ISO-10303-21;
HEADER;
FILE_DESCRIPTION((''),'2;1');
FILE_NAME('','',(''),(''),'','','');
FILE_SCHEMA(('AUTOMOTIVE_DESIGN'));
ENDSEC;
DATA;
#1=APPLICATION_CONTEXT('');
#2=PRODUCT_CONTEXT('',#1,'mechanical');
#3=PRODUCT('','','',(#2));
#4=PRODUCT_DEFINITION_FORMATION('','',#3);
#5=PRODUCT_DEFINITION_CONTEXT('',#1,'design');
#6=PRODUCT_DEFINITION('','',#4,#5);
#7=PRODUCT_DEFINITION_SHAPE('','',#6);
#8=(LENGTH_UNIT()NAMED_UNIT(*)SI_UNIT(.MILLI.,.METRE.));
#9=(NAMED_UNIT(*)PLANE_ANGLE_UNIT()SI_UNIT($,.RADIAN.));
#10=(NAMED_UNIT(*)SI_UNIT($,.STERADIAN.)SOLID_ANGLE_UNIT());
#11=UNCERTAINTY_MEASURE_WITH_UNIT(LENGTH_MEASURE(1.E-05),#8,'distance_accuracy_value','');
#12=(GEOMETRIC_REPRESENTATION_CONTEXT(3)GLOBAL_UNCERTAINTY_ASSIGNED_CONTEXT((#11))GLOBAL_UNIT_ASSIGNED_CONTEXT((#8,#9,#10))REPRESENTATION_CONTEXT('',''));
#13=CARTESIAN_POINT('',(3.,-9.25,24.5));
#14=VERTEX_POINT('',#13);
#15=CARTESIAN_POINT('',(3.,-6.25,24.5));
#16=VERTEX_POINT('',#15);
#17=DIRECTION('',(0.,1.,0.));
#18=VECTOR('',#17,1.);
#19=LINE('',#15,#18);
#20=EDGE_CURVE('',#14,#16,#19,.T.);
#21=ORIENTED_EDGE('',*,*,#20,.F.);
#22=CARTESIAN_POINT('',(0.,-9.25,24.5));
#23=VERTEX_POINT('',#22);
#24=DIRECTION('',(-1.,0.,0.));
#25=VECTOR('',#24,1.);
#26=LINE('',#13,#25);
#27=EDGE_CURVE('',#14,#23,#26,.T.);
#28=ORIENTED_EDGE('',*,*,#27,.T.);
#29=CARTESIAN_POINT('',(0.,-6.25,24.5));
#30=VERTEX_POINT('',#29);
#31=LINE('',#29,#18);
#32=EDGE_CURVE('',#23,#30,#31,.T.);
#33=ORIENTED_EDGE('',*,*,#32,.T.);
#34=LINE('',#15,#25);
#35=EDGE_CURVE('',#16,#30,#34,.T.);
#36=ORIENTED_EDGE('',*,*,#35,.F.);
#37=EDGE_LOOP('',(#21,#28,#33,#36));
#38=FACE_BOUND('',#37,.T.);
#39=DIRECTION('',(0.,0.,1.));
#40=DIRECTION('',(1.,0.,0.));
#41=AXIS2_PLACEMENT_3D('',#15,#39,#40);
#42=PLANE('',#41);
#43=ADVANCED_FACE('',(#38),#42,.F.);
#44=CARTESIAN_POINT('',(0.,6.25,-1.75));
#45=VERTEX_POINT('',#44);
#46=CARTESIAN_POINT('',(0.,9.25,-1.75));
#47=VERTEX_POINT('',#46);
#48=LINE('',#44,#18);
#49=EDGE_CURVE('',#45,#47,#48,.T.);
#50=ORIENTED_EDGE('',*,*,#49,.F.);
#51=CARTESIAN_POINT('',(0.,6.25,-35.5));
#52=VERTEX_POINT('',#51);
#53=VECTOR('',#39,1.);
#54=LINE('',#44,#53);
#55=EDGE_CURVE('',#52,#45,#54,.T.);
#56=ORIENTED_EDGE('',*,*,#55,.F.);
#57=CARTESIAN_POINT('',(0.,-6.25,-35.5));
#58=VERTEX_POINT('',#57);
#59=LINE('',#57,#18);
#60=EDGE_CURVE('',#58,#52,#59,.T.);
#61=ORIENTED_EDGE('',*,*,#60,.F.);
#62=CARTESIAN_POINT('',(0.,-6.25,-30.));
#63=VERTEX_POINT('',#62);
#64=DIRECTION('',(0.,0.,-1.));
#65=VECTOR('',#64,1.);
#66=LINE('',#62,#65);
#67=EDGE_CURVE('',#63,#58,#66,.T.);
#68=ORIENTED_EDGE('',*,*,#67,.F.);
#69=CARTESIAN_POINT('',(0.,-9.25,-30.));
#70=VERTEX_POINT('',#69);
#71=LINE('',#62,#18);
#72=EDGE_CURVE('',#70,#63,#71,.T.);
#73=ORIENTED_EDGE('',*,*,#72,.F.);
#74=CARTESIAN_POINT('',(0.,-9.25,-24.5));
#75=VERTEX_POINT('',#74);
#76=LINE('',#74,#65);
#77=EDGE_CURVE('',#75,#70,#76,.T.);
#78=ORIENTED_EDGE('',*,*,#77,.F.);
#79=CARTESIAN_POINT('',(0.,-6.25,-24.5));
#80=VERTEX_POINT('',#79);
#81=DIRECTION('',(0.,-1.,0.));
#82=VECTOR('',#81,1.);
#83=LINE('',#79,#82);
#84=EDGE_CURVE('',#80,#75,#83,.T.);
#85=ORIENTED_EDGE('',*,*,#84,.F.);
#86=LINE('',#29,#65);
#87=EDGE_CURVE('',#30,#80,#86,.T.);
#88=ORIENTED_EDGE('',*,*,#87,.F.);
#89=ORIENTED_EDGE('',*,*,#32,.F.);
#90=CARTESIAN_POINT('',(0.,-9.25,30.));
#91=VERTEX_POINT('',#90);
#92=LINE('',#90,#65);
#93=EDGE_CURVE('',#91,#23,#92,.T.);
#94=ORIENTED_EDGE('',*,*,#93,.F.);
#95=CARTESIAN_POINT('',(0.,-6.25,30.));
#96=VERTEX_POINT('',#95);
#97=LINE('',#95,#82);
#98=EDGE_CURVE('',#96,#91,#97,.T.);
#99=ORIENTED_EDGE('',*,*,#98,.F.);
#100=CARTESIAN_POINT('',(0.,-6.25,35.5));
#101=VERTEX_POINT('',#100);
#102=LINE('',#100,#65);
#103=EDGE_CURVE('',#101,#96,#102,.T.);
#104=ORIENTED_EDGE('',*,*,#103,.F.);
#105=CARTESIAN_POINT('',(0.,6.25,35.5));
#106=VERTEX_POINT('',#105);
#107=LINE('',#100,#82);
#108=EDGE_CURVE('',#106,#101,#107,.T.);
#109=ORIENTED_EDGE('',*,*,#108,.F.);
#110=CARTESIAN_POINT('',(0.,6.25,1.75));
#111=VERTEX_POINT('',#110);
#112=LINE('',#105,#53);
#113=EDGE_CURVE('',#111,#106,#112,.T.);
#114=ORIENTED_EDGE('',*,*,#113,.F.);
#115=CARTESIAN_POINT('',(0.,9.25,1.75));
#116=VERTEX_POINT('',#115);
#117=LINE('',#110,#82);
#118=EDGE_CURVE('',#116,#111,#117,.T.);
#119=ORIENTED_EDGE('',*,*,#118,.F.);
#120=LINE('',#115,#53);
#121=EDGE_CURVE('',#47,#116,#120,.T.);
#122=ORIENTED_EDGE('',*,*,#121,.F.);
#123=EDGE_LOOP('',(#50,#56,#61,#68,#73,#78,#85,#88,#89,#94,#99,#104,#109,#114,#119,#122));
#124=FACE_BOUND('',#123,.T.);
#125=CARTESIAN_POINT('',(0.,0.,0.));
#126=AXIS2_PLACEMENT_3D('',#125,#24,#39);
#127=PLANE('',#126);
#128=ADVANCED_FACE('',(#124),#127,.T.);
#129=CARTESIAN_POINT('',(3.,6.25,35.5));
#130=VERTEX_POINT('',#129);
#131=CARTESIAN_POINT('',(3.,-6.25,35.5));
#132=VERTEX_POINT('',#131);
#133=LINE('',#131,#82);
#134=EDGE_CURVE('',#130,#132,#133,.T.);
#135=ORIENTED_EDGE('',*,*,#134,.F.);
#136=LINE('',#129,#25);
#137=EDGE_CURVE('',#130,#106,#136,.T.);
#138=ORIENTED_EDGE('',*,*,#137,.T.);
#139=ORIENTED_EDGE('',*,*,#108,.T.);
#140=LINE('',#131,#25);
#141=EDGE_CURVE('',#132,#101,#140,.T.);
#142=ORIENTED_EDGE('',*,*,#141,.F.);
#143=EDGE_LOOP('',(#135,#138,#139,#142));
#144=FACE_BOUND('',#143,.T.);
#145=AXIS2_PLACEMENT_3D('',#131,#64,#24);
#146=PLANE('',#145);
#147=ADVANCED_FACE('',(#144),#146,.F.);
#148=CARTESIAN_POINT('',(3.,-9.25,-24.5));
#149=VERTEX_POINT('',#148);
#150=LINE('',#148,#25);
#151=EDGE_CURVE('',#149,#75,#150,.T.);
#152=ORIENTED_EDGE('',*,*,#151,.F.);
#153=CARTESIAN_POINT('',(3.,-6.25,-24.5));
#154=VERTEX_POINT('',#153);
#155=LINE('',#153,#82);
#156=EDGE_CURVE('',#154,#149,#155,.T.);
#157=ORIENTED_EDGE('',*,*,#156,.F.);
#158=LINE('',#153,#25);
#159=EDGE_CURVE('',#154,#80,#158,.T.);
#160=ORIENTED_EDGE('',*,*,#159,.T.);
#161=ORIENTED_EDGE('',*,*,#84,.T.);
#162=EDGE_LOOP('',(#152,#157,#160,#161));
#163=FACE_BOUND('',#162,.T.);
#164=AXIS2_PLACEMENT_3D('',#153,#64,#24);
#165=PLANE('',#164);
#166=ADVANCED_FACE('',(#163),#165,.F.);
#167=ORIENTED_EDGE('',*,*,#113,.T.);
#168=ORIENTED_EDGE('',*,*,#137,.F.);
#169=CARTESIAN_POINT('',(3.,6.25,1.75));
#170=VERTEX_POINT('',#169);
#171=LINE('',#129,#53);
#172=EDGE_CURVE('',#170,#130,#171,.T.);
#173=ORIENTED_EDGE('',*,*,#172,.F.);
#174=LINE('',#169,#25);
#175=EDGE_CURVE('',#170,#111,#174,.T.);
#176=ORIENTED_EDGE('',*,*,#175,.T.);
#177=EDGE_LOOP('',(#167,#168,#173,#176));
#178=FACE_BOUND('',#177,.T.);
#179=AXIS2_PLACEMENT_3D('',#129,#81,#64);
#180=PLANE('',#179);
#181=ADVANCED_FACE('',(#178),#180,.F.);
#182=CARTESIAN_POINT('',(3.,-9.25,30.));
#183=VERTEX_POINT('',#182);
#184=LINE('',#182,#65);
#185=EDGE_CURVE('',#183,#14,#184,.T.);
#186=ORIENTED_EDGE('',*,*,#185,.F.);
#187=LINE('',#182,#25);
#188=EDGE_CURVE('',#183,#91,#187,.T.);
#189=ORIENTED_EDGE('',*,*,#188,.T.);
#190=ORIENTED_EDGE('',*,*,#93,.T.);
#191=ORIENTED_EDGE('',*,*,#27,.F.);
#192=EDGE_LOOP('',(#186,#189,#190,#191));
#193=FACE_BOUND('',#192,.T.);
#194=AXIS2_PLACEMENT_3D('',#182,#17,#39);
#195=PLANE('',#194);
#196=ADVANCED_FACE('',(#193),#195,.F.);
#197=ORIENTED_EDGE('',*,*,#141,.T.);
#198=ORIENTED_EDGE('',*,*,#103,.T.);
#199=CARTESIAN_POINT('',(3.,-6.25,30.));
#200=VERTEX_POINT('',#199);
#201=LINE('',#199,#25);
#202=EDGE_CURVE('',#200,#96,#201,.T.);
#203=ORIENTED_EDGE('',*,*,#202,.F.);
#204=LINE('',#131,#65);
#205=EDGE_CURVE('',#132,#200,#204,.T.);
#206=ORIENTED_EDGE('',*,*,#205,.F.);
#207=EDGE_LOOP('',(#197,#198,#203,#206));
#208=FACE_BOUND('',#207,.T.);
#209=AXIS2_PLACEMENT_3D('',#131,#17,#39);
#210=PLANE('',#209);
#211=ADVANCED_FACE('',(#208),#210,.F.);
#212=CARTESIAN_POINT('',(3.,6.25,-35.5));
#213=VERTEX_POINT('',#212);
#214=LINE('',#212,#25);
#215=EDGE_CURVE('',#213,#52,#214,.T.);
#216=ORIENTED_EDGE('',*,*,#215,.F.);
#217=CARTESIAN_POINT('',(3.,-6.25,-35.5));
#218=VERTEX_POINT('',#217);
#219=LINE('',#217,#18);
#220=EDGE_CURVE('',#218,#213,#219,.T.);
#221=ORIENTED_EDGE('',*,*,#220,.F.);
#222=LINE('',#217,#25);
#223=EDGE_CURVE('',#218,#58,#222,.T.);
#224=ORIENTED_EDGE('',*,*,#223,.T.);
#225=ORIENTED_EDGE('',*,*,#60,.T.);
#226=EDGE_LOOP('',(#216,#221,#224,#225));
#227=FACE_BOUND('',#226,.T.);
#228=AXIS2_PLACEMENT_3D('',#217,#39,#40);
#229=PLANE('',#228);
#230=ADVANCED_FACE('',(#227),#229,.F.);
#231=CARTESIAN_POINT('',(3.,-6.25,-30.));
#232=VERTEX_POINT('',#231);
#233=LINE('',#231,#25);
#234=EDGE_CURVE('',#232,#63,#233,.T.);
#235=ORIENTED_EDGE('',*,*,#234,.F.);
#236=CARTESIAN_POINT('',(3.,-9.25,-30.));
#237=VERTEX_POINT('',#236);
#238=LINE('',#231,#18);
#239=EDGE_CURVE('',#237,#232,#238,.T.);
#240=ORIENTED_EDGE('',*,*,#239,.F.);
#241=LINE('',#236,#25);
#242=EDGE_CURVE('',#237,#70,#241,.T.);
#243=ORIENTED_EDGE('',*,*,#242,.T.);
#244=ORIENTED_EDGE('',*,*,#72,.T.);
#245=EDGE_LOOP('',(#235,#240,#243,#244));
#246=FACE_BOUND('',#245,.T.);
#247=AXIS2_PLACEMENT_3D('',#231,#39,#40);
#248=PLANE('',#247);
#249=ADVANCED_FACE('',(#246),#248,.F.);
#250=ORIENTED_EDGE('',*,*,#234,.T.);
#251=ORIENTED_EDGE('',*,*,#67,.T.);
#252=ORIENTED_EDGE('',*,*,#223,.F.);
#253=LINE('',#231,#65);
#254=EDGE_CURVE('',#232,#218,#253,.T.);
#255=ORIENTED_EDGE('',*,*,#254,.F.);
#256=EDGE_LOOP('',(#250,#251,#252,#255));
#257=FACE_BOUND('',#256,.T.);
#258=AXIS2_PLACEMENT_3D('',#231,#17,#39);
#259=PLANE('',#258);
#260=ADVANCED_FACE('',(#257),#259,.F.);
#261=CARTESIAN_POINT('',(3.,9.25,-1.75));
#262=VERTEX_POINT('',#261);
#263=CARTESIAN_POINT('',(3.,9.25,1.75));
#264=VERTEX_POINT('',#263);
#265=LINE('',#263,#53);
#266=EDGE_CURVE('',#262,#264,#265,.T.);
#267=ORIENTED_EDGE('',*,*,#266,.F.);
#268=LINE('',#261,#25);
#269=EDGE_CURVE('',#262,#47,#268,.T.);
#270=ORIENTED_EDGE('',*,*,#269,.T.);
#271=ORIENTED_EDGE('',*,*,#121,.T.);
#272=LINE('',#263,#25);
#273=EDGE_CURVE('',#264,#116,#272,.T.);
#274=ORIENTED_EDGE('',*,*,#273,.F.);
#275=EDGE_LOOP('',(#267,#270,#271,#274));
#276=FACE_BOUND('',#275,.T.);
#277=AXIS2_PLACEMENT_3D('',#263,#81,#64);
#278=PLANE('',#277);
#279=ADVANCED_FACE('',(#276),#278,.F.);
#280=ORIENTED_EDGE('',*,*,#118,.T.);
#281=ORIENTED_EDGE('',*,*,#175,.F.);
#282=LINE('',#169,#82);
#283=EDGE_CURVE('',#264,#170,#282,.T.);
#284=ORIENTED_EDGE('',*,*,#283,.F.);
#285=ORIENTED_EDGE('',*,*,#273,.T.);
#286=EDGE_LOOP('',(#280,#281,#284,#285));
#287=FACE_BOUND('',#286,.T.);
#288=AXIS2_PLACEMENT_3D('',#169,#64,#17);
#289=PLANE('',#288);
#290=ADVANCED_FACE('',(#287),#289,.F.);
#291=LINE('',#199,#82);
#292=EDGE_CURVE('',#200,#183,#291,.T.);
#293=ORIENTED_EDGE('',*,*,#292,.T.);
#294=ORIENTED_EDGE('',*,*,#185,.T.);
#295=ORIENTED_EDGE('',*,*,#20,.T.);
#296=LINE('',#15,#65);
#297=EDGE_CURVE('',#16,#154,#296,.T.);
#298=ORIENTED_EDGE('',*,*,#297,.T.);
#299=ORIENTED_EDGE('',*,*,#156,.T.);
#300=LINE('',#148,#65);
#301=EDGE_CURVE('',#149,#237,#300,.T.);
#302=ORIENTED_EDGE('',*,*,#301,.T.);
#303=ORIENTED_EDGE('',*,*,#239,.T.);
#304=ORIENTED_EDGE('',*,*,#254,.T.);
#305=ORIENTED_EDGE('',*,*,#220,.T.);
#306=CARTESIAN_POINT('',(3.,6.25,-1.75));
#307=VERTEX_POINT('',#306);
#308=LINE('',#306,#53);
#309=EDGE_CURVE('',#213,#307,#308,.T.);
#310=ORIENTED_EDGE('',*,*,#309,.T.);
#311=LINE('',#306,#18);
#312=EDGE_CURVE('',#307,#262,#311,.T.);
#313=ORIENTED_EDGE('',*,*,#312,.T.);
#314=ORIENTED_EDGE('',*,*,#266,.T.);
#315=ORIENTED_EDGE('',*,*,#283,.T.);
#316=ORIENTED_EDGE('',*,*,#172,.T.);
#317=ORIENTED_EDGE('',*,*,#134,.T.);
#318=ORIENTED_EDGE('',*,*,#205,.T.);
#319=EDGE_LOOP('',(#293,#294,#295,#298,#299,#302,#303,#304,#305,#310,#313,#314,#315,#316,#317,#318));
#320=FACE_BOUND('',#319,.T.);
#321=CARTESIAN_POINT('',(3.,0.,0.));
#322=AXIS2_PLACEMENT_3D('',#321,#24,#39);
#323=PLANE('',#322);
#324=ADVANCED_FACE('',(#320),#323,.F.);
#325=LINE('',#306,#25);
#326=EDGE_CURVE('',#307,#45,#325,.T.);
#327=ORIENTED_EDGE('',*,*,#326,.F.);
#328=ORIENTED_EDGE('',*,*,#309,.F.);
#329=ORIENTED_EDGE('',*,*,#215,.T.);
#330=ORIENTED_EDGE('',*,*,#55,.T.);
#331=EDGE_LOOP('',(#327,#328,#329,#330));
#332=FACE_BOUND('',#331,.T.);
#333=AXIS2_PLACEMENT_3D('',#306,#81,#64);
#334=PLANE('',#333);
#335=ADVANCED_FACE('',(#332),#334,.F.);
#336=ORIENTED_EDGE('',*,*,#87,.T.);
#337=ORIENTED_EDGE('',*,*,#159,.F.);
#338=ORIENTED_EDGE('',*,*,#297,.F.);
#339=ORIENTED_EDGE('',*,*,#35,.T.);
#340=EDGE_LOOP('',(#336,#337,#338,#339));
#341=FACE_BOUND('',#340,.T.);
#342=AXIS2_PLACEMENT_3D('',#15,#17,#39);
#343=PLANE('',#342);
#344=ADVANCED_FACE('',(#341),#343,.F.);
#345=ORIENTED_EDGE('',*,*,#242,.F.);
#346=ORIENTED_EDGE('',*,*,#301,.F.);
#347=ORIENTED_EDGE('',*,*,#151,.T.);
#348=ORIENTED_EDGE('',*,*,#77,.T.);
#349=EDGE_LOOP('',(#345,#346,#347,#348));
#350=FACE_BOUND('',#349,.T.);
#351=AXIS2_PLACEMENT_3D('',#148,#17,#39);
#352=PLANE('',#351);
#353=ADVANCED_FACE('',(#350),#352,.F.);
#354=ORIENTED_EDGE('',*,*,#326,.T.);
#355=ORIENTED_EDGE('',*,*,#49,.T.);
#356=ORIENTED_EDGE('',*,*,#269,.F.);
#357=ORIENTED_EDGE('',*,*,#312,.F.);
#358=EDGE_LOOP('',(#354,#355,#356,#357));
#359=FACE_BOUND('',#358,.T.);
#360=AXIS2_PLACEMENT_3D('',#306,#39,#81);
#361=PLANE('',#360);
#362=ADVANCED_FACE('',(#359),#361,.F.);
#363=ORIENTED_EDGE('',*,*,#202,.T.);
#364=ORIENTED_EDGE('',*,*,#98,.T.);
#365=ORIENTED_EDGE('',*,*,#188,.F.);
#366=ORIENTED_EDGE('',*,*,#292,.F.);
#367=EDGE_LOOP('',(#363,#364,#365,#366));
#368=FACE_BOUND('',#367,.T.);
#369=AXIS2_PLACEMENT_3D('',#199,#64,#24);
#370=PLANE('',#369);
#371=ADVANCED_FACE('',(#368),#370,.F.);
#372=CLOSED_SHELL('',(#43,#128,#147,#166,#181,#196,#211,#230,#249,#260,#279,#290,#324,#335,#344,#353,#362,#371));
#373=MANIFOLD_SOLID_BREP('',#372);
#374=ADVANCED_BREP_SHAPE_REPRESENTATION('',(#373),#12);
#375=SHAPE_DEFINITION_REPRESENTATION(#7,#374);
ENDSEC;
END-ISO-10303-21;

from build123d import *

# Parameters (mm, degrees)
SALIENTE_EXTRUIR1_DEPTH = 3


with BuildPart() as part:
    # Croquis1 → Saliente-Extruir1 (new body)
    with BuildSketch(Plane(origin=(0, 0, 0), x_dir=(0, 0, -1), z_dir=(1, 0, 0))):
        Polygon((1.75, 6.25), (35.5, 6.25), (35.5, -6.25), (30, -6.25), (30, -9.25), (24.5, -9.25), (24.5, -6.25), (-24.5, -6.25), (-24.5, -9.25), (-30, -9.25), (-30, -6.25), (-35.5, -6.25), (-35.5, 6.25), (-1.75, 6.25), (-1.75, 9.25), (1.75, 9.25), align=None)
    extrude(amount=SALIENTE_EXTRUIR1_DEPTH)


solid = part.part
